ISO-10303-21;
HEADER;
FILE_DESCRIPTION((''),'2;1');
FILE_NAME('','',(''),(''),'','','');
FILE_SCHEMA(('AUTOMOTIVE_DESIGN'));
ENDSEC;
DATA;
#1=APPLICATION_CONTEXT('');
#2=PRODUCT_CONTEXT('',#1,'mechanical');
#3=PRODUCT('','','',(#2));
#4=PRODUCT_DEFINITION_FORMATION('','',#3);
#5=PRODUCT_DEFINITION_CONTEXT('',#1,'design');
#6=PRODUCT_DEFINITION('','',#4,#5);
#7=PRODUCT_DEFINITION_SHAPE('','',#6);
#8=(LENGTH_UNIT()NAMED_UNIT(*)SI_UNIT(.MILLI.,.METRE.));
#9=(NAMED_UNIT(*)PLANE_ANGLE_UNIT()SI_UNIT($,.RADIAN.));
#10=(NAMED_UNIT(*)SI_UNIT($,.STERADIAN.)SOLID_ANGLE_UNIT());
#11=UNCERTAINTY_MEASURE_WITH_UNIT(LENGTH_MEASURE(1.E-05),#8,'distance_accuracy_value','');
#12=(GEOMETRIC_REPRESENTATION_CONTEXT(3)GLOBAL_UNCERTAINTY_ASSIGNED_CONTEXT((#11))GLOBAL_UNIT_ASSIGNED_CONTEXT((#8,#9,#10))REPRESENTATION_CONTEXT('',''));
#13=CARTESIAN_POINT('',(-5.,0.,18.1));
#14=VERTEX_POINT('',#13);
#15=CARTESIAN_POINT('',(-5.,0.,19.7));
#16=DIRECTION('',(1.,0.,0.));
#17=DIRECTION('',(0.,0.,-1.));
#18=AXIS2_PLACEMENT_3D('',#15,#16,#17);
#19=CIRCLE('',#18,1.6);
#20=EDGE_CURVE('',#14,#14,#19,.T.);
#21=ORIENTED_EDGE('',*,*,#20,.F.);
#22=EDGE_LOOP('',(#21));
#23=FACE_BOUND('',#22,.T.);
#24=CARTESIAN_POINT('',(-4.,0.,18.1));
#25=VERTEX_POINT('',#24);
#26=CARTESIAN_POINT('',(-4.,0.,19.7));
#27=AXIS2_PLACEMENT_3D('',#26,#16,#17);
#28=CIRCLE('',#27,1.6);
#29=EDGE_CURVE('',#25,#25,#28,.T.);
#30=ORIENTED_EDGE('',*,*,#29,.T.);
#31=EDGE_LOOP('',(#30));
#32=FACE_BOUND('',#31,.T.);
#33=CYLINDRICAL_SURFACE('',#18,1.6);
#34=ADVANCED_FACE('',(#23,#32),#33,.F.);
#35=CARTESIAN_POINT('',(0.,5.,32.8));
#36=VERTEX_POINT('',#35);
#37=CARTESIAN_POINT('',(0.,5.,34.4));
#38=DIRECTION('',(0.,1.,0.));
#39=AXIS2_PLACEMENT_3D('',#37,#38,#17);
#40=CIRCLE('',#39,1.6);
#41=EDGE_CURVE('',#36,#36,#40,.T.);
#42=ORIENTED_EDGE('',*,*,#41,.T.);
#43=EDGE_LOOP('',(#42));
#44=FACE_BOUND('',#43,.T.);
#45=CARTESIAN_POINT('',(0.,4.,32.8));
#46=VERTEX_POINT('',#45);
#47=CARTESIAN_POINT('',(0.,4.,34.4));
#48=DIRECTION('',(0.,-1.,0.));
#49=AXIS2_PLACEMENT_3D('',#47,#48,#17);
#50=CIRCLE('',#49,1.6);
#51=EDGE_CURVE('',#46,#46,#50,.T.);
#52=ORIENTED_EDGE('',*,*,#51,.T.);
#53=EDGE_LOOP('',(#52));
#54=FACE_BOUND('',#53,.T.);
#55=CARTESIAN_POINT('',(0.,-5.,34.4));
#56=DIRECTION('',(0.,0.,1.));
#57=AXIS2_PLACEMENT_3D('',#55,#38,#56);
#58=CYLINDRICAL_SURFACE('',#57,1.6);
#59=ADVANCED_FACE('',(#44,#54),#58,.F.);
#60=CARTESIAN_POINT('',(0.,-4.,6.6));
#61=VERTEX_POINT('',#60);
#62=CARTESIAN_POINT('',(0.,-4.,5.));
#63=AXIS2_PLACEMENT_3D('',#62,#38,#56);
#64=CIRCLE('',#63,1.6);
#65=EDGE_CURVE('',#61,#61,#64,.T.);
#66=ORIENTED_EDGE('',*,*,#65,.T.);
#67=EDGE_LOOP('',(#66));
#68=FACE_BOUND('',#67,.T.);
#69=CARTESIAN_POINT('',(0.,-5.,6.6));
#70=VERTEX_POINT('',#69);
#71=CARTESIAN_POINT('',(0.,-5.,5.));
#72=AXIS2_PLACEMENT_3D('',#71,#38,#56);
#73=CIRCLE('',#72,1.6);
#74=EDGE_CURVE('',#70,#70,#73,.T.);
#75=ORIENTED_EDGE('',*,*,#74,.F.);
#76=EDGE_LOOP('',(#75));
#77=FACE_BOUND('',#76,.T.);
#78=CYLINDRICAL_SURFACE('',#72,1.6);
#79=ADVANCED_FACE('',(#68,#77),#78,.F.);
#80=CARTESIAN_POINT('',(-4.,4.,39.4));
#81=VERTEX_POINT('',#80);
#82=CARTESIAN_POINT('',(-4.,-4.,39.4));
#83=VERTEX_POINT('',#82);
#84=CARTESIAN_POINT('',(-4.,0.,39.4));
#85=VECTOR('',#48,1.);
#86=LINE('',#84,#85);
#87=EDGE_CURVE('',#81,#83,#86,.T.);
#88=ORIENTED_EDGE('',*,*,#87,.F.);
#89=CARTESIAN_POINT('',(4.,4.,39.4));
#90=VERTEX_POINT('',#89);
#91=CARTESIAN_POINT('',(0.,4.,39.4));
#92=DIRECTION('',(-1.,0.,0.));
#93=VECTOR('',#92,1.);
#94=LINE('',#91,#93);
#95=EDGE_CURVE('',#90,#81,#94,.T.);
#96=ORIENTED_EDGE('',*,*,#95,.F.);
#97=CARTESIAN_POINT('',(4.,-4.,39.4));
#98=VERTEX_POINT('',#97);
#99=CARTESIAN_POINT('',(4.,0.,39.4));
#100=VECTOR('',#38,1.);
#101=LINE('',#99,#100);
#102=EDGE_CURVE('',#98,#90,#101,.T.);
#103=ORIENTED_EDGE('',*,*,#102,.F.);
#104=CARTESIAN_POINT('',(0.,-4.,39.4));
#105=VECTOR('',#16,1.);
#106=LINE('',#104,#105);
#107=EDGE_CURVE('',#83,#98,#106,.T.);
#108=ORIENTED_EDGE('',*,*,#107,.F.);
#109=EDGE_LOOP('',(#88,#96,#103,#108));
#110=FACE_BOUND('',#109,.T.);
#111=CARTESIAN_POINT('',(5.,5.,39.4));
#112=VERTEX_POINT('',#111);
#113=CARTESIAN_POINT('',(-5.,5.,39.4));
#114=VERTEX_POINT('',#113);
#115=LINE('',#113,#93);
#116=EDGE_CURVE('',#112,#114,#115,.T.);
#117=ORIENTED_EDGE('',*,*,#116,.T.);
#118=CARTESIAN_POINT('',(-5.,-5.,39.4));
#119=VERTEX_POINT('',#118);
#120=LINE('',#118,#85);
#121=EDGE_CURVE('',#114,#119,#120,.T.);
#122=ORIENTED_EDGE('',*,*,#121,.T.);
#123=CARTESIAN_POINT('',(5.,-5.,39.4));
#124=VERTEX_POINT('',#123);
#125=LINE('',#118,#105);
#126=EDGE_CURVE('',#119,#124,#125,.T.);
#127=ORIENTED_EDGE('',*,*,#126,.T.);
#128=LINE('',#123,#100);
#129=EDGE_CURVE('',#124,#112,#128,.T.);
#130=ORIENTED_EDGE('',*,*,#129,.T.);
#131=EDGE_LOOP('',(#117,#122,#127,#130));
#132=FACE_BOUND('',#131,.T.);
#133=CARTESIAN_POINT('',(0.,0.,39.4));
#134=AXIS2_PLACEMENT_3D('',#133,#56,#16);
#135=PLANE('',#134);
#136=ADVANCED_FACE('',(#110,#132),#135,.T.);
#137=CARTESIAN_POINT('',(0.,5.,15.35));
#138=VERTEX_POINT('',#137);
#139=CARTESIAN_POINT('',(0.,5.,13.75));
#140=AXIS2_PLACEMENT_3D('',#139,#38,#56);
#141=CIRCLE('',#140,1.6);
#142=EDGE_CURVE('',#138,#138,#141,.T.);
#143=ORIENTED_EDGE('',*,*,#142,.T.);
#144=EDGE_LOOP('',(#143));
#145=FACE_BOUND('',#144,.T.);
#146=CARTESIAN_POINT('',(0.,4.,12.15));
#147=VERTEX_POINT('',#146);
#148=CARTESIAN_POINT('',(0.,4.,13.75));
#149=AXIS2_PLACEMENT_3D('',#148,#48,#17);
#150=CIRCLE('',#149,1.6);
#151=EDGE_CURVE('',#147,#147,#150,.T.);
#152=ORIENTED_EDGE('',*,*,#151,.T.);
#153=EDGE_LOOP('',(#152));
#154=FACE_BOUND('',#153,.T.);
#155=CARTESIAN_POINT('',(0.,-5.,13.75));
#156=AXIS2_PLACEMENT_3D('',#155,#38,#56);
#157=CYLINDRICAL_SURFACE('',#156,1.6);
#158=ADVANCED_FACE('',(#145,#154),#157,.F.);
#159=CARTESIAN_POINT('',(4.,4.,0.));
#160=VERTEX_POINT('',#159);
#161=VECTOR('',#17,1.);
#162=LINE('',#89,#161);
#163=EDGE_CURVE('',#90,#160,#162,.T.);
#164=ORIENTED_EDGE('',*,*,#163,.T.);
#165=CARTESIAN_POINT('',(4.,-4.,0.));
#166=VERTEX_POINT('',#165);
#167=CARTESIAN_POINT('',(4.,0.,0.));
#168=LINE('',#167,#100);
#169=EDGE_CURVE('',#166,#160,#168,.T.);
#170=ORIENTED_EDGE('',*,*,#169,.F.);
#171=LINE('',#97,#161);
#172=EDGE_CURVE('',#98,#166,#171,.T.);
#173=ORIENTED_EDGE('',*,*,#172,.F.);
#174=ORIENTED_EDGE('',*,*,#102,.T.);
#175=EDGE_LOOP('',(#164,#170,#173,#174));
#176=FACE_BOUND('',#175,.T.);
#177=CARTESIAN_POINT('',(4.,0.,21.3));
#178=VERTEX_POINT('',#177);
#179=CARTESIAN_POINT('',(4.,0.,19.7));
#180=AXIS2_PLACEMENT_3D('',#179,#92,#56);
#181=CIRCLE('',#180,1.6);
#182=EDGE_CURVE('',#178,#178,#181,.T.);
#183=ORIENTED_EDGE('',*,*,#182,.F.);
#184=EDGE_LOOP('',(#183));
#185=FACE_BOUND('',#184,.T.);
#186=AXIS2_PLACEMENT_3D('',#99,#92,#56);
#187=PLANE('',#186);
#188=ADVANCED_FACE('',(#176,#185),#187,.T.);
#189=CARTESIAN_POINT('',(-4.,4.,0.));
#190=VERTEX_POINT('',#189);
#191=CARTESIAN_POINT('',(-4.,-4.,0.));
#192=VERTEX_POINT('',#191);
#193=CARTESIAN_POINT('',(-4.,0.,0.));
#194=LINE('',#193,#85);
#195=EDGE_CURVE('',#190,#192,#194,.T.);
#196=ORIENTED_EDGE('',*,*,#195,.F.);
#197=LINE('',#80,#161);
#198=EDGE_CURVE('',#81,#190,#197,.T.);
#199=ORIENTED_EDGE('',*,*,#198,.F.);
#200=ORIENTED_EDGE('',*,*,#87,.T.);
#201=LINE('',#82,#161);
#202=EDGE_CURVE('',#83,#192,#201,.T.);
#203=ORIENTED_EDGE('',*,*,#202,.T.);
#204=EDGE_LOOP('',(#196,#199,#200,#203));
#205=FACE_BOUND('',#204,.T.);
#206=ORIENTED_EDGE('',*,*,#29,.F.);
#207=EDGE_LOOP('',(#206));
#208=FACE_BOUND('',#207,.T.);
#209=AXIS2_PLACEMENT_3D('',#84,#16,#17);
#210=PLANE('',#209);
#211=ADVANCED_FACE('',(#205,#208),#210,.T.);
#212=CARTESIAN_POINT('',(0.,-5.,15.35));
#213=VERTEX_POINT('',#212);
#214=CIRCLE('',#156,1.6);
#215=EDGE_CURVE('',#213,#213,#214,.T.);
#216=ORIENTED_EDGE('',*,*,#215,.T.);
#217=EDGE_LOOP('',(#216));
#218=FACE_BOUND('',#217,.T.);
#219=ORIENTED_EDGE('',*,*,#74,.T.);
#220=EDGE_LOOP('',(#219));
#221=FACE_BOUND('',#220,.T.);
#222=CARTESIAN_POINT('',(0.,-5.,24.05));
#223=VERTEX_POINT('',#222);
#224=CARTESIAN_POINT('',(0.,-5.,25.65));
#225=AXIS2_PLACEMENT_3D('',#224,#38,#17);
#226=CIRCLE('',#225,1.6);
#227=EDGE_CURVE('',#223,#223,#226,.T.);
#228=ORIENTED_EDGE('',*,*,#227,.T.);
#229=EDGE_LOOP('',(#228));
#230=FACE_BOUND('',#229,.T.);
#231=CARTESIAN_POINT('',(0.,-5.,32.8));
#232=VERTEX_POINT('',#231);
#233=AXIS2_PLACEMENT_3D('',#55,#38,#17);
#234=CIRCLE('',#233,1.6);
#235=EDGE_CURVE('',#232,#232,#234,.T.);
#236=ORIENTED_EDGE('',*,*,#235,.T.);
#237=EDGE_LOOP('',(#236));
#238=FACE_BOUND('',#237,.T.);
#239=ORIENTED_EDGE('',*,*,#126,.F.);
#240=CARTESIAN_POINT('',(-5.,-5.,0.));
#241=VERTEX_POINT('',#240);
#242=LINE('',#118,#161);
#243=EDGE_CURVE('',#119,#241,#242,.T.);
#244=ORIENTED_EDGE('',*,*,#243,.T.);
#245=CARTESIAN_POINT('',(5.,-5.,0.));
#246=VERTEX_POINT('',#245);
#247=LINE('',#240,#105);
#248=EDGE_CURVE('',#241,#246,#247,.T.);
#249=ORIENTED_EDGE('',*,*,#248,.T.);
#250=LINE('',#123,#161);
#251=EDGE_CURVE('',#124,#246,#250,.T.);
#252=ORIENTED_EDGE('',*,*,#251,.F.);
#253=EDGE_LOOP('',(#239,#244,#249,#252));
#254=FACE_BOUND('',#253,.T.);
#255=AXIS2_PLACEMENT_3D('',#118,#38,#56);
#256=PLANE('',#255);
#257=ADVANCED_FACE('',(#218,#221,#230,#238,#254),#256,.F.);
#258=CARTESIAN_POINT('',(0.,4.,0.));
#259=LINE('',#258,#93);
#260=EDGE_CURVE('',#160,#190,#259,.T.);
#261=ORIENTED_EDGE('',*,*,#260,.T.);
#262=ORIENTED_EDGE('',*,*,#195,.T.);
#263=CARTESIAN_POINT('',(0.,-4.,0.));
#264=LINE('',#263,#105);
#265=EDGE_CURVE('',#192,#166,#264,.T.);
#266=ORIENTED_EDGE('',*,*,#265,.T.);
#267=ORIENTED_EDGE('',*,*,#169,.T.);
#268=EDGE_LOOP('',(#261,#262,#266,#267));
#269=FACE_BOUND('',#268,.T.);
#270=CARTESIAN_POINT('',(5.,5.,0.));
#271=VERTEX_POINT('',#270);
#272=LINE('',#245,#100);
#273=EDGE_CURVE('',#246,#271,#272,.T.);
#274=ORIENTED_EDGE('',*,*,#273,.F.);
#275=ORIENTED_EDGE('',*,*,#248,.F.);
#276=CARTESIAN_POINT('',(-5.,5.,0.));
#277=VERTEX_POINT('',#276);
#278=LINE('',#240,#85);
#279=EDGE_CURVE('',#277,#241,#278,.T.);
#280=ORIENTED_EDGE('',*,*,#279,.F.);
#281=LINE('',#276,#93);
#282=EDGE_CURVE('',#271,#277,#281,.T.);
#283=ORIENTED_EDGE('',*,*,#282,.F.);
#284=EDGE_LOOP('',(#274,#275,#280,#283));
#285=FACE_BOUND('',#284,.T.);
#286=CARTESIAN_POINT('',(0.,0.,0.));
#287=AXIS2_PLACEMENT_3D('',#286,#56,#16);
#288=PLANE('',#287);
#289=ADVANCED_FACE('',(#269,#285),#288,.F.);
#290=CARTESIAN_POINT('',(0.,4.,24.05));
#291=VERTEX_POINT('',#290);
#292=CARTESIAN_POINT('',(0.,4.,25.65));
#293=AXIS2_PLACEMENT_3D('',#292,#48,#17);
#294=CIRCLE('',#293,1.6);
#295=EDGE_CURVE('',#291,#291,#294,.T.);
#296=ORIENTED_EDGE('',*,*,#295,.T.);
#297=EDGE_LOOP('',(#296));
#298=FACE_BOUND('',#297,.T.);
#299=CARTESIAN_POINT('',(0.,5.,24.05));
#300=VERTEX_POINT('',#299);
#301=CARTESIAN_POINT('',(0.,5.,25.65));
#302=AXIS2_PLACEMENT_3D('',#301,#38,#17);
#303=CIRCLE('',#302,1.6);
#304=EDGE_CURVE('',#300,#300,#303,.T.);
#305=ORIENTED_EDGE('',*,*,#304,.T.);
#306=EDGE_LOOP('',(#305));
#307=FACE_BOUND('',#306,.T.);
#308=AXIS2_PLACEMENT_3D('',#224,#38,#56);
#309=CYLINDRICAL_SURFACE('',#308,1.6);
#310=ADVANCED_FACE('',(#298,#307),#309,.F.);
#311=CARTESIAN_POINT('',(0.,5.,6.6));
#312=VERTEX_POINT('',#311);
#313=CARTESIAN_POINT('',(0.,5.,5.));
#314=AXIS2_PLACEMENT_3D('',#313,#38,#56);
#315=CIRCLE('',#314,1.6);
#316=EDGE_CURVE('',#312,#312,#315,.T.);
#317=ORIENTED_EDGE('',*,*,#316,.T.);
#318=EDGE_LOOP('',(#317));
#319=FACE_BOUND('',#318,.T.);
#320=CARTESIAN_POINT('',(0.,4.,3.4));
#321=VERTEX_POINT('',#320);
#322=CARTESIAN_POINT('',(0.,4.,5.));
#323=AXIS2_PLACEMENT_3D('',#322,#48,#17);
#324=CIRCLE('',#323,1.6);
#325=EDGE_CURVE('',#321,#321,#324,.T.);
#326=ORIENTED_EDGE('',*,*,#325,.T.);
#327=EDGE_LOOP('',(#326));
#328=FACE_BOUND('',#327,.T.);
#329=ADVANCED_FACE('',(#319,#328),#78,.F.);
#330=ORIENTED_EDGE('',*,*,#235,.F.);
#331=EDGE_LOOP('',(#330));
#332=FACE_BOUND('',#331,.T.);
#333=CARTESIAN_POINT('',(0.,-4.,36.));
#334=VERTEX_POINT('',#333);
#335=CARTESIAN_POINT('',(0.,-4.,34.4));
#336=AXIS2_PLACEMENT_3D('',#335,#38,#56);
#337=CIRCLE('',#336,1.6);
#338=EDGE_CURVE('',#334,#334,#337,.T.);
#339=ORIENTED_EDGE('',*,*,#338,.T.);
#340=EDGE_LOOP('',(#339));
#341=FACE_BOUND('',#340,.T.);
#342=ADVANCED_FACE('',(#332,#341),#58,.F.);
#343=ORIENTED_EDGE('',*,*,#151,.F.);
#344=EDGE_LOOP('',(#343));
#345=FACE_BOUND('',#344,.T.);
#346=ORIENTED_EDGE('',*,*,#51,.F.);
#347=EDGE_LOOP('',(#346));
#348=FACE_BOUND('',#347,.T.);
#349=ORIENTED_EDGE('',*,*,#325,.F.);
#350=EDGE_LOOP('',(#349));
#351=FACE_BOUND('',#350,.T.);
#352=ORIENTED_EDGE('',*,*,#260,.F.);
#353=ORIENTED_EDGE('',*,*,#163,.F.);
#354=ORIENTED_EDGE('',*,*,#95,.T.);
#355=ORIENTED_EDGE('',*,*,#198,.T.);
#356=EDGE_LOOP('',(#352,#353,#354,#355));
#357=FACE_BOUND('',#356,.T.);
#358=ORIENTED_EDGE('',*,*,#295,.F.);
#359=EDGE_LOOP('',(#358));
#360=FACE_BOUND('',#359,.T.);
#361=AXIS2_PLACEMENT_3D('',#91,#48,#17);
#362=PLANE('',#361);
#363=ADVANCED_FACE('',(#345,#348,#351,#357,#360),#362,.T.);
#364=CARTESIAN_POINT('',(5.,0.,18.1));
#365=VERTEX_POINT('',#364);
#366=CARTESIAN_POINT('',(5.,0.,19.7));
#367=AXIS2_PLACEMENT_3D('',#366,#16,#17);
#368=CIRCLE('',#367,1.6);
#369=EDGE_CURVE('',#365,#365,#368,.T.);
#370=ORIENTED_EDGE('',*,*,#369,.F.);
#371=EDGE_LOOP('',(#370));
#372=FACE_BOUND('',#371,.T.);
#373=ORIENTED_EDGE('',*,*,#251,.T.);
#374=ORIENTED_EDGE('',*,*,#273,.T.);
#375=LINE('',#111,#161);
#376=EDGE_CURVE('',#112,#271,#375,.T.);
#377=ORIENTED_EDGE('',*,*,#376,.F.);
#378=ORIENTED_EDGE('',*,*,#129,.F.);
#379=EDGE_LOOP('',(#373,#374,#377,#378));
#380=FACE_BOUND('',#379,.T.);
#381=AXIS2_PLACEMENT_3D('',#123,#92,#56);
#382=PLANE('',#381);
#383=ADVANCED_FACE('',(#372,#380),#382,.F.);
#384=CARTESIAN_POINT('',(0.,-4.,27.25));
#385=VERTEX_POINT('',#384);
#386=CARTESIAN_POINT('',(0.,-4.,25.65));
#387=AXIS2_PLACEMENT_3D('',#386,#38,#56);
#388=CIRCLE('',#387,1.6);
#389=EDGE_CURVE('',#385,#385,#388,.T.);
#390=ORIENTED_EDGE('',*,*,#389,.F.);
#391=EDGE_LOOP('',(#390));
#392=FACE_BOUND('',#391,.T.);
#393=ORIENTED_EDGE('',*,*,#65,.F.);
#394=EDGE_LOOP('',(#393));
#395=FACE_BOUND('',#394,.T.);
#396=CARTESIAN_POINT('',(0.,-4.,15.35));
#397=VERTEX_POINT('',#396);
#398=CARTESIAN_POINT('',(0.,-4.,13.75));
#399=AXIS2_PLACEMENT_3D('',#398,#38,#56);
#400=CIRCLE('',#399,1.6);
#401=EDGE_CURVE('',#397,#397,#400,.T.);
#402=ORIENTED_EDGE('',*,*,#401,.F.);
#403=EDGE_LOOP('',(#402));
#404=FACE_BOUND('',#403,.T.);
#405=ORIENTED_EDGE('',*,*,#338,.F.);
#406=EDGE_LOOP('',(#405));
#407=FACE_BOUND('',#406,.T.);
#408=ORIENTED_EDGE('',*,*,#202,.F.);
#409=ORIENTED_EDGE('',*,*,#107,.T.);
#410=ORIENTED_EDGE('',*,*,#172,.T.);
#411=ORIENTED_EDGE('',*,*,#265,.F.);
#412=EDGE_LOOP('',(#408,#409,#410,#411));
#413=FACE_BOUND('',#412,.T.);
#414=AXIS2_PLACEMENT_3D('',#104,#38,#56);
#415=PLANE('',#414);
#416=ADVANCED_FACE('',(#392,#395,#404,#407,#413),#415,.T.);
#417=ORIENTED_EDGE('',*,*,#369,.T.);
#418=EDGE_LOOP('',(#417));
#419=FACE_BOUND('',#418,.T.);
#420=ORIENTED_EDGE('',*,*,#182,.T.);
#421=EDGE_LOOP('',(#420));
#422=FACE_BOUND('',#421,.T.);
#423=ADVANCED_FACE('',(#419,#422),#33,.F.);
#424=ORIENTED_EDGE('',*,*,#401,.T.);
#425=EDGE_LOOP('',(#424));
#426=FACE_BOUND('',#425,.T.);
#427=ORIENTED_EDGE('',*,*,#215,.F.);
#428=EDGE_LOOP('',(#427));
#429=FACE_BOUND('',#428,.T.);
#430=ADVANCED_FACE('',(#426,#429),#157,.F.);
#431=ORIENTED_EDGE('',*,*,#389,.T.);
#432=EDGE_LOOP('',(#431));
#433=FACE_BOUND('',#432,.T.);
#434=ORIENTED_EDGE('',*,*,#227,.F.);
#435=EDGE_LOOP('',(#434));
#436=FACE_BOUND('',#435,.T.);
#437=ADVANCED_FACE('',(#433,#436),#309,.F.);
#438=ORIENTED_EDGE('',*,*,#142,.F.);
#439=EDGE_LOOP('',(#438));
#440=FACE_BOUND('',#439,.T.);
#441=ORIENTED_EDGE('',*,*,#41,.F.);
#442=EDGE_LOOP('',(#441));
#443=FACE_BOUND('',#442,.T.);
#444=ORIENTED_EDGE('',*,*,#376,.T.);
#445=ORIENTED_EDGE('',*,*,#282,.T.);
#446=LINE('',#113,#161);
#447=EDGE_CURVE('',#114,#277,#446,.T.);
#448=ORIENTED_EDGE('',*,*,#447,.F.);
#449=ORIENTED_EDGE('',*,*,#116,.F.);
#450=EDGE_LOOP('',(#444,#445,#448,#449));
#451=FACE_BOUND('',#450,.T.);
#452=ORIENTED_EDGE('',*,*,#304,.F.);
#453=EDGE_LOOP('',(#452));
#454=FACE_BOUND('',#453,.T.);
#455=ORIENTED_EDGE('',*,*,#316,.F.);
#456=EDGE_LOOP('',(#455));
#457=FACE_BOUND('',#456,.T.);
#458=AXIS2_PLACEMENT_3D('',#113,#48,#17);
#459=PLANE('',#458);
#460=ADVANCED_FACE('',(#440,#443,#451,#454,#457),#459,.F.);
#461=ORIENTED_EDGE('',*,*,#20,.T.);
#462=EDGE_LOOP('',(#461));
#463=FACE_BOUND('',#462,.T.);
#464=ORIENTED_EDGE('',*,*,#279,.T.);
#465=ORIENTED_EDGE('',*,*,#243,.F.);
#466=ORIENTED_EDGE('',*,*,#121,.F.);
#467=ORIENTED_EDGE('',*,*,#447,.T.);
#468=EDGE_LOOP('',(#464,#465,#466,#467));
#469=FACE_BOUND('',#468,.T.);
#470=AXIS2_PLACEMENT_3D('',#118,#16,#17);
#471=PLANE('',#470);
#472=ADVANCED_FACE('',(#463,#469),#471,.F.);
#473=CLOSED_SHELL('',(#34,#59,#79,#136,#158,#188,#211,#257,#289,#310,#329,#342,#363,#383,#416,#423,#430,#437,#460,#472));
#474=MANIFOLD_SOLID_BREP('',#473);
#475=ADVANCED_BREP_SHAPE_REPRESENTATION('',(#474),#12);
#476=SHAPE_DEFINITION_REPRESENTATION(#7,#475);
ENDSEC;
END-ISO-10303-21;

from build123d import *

# Parameters (mm, degrees)
SKETCH_1_W          = 10
SKETCH_1_H          = 10
SKETCH_1_W_2        = 8
SKETCH_1_H_2        = 8
EXTRUDE_1_DEPTH     = 39.4
SKETCH_2_R          = 1.6
CUT_EXTRUDE_1_DEPTH = 41.9555857
SKETCH_3_R          = 1.6
CUT_EXTRUDE_2_DEPTH = 41.9555857
SKETCH_4_R          = 1.6
CUT_EXTRUDE_3_DEPTH = 41.9555857


with BuildPart() as part:
    # ｽｹｯﾁ1 → 押し出し-薄板1 (new body)
    with BuildSketch(Plane.XY):
        Rectangle(SKETCH_1_W, SKETCH_1_H)
        Rectangle(SKETCH_1_W_2, SKETCH_1_H_2, mode=Mode.SUBTRACT)
    extrude(amount=EXTRUDE_1_DEPTH)

    # ｽｹｯﾁ2 → ｶｯﾄ - 押し出し1 (cut, through all)
    with BuildSketch(Plane(origin=(0, 5, 0), x_dir=(1, 0, 0), z_dir=(0, 1, 0))):
        with Locations(Location((0, -5, 0), (0, 0, 270))):
            Circle(SKETCH_2_R)
        with Locations(Location((0, -34.4, 0), (0, 0, 270))):
            Circle(SKETCH_2_R)
    extrude(amount=-CUT_EXTRUDE_1_DEPTH, mode=Mode.SUBTRACT)

    # ｽｹｯﾁ3 → ｶｯﾄ - 押し出し2 (cut, through all)
    with BuildSketch(Plane(origin=(0, 5, 0), x_dir=(1, 0, 0), z_dir=(0, 1, 0))):
        with Locations(Location((0, -13.75, 0), (0, 0, 270))):
            Circle(SKETCH_3_R)
        with Locations(Location((0, -25.65, 0), (0, 0, 270))):
            Circle(SKETCH_3_R)
    extrude(amount=-CUT_EXTRUDE_2_DEPTH, mode=Mode.SUBTRACT)

    # ｽｹｯﾁ4 → ｶｯﾄ - 押し出し3 (cut, through all)
    with BuildSketch(Plane(origin=(5, 0, 0), x_dir=(0, 0, -1), z_dir=(1, 0, 0))):
        with Locations((-19.7, 0)):
            Circle(SKETCH_4_R)
    extrude(amount=-CUT_EXTRUDE_3_DEPTH, mode=Mode.SUBTRACT)


solid = part.part
